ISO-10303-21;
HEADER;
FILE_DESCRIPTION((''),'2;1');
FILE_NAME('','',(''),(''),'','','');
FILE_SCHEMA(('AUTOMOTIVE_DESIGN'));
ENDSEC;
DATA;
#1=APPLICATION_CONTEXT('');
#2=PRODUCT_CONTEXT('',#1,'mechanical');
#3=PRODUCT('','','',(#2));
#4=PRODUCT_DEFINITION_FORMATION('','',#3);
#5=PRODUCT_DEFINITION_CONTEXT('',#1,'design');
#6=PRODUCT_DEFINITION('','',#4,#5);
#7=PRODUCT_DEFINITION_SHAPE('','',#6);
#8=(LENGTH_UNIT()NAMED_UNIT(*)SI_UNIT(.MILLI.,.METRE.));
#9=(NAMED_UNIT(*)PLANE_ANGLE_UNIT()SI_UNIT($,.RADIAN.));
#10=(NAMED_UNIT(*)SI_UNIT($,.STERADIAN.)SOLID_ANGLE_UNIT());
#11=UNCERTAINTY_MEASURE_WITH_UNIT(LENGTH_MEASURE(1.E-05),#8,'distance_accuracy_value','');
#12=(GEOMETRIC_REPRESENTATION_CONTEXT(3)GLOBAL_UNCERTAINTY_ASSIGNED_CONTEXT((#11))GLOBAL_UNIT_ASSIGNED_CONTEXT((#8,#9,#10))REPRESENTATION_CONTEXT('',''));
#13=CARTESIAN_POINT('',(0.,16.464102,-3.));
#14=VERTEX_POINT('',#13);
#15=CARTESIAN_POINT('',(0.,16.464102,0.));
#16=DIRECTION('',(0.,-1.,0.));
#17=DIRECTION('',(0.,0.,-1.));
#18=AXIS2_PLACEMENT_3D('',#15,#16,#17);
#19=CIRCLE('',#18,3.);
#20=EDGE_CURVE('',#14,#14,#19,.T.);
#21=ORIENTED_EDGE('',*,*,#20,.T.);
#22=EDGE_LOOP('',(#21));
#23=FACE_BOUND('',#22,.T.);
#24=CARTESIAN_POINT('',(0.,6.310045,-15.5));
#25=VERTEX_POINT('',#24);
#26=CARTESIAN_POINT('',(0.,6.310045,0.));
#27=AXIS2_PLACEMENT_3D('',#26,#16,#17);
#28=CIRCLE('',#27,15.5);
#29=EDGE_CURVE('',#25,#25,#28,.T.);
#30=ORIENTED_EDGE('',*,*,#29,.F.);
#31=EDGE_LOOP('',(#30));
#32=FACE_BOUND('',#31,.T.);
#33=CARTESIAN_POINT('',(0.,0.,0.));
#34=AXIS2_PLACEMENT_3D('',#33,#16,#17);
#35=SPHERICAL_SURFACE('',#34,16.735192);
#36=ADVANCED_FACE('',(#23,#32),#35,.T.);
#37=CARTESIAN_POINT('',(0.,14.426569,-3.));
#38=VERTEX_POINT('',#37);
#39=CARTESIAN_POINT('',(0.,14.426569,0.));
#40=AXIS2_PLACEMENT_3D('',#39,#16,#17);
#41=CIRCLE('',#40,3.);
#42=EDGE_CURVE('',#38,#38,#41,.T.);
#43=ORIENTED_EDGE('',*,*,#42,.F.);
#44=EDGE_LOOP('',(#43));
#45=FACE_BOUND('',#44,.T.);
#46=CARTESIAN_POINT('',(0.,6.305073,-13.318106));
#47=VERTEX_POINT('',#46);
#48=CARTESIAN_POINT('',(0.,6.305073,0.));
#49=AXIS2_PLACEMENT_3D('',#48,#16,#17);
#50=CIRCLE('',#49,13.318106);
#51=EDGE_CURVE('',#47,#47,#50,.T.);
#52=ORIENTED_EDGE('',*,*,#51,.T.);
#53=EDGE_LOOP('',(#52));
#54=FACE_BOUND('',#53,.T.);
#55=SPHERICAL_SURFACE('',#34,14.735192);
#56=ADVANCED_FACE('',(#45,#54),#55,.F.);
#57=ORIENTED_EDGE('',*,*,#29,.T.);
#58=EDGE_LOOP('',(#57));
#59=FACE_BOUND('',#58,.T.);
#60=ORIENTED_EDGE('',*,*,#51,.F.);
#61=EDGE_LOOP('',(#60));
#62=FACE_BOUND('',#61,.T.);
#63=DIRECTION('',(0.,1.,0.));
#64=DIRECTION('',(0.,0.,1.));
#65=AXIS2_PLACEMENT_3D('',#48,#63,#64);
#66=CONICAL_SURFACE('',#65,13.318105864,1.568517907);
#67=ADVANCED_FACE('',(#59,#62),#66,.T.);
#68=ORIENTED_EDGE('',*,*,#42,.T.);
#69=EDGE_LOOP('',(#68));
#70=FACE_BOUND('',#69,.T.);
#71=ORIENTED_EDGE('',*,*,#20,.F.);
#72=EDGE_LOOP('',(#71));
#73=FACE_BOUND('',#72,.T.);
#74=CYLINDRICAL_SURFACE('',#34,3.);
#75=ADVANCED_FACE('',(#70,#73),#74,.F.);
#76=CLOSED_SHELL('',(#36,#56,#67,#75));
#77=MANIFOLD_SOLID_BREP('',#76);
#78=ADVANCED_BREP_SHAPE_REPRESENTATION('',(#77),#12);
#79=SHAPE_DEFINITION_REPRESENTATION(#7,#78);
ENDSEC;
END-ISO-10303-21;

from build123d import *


with BuildPart() as part:
    # Sketch1 → Revolve1 (revolve)
    with BuildSketch(Plane(origin=(0, 0, 0), x_dir=(0, 0, -1), z_dir=(1, 0, 0))):
        with BuildLine():
            ThreePointArc((9.747024336, 11.050855655), (11.77415263, 8.859753042), (13.318105864, 6.305073378))
            Line((13.318105864, 6.305073378), (15.5, 6.310044658))
            ThreePointArc((15.5, 6.310044658), (10.551716519, 12.989532019), (3, 16.464102271))
            Line((3, 16.464102271), (3, 14.426569035))
            ThreePointArc((3, 14.426569035), (6.593217543, 13.177836566), (9.747024336, 11.050855655))
        make_face()
    revolve(axis=Axis((0, 0, 0), (0, 1, 0)))


solid = part.part
